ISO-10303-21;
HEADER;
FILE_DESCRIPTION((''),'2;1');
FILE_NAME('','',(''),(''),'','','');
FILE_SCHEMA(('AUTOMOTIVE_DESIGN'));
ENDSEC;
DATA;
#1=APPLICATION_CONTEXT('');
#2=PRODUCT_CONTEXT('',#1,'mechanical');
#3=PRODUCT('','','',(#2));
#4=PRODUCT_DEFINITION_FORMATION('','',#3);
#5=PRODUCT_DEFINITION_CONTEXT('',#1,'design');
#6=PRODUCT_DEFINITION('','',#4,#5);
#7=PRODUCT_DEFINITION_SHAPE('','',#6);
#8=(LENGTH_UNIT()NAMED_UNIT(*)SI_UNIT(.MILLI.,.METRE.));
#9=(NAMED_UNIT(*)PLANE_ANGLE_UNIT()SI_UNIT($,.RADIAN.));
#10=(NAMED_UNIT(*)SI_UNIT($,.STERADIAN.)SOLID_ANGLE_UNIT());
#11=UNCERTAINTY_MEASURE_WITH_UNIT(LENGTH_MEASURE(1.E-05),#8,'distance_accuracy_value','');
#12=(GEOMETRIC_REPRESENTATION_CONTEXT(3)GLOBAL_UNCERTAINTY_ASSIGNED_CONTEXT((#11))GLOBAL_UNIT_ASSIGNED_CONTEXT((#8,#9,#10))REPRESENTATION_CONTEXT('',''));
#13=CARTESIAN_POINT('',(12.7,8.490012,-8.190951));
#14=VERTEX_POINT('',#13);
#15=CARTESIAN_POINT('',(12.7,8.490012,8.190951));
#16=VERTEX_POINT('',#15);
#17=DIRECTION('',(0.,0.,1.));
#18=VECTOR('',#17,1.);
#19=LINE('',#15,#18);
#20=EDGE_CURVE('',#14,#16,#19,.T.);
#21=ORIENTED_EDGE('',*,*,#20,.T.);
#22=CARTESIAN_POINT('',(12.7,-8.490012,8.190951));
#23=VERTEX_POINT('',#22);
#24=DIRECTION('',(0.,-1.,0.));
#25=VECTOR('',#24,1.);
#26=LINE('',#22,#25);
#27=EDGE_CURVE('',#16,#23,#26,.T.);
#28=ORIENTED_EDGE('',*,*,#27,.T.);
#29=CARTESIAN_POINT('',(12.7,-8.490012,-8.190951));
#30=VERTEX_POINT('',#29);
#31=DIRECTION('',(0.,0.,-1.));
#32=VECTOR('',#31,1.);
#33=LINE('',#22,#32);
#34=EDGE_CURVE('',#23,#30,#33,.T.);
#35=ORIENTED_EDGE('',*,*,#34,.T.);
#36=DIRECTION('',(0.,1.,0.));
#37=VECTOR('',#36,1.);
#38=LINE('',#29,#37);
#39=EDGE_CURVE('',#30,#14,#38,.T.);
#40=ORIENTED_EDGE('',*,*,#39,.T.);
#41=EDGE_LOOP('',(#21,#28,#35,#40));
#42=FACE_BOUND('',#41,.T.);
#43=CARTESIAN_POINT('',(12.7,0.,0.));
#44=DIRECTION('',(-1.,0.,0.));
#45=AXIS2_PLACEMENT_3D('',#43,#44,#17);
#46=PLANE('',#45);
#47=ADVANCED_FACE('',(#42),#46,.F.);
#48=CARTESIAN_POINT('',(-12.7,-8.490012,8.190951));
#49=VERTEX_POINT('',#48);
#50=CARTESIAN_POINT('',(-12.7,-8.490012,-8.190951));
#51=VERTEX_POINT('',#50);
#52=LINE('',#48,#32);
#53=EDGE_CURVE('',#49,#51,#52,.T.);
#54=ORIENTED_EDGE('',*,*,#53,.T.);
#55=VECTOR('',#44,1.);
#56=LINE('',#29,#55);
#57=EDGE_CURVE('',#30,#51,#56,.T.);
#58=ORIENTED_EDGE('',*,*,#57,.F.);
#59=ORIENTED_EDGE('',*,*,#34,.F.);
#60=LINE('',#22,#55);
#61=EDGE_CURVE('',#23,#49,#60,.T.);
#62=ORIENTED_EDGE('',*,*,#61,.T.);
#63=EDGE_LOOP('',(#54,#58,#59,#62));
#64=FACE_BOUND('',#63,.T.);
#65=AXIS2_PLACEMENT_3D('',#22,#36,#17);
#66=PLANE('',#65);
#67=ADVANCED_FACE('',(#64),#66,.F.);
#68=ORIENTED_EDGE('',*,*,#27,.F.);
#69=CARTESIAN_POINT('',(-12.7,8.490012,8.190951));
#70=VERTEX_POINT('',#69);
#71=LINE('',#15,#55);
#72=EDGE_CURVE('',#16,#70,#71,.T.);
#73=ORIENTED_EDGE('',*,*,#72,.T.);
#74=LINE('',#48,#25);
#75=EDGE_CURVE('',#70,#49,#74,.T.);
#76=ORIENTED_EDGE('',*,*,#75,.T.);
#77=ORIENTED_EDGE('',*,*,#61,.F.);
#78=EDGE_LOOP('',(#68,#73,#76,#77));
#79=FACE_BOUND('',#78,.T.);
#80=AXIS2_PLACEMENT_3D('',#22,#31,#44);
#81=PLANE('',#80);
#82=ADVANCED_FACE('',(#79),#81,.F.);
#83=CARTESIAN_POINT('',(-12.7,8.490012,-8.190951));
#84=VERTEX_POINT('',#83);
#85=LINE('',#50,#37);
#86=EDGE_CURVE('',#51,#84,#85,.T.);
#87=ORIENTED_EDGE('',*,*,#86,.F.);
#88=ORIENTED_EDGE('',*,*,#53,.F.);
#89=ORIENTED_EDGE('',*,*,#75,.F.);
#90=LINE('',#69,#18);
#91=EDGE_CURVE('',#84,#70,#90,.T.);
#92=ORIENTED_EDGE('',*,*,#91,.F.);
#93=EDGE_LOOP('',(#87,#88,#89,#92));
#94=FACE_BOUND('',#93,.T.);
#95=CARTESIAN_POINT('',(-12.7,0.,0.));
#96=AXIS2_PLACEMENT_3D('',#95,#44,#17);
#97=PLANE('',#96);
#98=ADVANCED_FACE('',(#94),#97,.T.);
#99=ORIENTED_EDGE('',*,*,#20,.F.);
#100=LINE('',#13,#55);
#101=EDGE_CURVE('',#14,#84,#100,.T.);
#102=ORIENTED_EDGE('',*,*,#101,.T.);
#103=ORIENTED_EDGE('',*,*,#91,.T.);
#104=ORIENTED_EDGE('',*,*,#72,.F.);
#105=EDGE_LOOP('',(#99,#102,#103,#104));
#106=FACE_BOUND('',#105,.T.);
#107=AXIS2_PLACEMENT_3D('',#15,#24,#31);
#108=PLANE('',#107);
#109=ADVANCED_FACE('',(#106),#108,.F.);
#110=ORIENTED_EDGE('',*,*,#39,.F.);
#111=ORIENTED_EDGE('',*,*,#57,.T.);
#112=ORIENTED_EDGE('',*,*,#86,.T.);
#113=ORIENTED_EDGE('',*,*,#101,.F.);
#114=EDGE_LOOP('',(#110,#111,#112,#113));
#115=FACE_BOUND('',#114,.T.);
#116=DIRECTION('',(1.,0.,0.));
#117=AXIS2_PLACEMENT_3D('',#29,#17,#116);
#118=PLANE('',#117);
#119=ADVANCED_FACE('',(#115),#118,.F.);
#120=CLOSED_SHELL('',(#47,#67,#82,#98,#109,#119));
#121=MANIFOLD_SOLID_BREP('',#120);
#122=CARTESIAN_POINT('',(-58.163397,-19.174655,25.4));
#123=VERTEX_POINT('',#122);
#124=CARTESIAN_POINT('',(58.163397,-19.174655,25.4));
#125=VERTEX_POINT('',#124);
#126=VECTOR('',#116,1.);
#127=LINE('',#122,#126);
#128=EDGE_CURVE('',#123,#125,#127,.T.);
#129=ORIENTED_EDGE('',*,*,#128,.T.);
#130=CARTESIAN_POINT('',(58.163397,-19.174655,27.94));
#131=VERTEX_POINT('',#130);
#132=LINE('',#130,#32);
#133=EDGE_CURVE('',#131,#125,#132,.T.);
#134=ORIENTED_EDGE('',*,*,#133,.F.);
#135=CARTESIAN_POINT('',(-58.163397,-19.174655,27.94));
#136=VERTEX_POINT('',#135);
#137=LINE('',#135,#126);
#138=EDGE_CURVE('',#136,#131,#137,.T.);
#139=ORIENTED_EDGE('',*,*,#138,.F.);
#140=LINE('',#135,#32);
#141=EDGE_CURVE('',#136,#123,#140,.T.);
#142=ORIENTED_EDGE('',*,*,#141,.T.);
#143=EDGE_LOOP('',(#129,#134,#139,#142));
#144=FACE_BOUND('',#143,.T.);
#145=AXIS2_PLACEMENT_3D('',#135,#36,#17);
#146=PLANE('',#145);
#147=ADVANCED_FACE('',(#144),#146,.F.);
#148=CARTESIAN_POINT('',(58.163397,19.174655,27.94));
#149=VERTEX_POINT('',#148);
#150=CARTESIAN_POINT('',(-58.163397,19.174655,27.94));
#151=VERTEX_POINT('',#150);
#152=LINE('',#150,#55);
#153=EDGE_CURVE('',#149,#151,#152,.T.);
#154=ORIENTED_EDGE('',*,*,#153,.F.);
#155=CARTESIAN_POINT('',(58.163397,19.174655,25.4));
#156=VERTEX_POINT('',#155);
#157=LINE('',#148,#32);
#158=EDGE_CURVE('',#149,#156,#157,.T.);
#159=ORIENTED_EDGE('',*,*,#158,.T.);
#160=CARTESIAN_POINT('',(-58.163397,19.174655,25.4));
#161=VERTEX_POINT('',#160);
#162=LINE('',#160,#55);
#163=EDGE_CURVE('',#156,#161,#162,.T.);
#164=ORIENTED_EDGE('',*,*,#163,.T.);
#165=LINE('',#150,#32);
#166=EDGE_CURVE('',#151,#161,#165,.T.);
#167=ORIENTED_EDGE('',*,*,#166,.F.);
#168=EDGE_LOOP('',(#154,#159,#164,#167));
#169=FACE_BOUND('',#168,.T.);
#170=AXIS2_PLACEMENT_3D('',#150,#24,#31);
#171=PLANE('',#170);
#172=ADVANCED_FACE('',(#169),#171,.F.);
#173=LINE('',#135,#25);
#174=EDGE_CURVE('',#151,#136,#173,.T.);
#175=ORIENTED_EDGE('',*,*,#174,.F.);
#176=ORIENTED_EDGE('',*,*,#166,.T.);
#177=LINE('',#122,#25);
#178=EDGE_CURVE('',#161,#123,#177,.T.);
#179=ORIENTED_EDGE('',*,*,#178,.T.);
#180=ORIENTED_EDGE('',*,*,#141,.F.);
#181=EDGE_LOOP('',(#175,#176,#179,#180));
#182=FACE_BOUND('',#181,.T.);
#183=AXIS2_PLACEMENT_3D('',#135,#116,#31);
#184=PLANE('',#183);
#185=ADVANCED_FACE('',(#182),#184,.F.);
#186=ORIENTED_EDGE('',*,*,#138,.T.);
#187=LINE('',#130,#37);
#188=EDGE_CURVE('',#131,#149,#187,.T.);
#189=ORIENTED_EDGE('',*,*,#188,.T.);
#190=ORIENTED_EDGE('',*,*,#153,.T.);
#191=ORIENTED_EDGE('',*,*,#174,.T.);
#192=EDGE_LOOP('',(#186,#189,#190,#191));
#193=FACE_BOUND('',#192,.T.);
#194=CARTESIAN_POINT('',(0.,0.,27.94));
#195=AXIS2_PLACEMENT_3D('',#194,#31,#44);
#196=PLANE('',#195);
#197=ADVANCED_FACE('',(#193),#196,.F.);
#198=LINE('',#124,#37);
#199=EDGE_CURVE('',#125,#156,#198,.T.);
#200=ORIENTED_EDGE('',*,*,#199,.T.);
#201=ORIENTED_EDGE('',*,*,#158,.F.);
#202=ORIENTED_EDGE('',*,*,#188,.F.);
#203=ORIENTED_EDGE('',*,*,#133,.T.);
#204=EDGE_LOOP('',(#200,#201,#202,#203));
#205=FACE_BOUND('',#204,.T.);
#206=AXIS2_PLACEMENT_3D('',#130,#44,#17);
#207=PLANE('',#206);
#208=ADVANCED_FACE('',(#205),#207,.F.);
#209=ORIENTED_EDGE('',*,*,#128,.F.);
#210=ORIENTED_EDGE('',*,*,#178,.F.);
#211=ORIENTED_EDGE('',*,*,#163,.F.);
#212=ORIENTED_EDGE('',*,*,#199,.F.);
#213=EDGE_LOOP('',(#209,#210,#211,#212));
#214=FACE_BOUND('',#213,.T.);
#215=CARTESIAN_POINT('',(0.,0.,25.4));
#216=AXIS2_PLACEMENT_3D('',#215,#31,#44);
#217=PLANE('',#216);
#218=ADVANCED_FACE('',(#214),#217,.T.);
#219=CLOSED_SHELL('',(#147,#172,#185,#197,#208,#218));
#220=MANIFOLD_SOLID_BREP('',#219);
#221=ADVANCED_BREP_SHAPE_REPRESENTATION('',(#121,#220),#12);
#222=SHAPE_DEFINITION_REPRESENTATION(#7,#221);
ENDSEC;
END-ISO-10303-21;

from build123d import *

# Parameters (mm, degrees)
SKETCH2_W                = 116.326794342
SKETCH2_H                = 38.349309978
OUT_IN_Z_DIRECTION_DEPTH = 2.54
SKETCH3_W                = 16.381902108
SKETCH3_H                = 16.980023094
AT_ORIGIN_DEPTH          = 12.7


with BuildPart() as part:
    # Sketch2 → out in z direction (new body)
    with BuildSketch(Plane.XY.offset(25.4)):
        Rectangle(SKETCH2_W, SKETCH2_H)
    extrude(amount=OUT_IN_Z_DIRECTION_DEPTH)


with BuildPart() as body_2:
    # Sketch3 → at origin (new, symmetric)
    with BuildSketch(Plane(origin=(0, 0, 0), x_dir=(0, 0, -1), z_dir=(1, 0, 0))):
        Rectangle(SKETCH3_W, SKETCH3_H)
    extrude(amount=AT_ORIGIN_DEPTH, both=True)


solid = Compound([part.part, body_2.part])
